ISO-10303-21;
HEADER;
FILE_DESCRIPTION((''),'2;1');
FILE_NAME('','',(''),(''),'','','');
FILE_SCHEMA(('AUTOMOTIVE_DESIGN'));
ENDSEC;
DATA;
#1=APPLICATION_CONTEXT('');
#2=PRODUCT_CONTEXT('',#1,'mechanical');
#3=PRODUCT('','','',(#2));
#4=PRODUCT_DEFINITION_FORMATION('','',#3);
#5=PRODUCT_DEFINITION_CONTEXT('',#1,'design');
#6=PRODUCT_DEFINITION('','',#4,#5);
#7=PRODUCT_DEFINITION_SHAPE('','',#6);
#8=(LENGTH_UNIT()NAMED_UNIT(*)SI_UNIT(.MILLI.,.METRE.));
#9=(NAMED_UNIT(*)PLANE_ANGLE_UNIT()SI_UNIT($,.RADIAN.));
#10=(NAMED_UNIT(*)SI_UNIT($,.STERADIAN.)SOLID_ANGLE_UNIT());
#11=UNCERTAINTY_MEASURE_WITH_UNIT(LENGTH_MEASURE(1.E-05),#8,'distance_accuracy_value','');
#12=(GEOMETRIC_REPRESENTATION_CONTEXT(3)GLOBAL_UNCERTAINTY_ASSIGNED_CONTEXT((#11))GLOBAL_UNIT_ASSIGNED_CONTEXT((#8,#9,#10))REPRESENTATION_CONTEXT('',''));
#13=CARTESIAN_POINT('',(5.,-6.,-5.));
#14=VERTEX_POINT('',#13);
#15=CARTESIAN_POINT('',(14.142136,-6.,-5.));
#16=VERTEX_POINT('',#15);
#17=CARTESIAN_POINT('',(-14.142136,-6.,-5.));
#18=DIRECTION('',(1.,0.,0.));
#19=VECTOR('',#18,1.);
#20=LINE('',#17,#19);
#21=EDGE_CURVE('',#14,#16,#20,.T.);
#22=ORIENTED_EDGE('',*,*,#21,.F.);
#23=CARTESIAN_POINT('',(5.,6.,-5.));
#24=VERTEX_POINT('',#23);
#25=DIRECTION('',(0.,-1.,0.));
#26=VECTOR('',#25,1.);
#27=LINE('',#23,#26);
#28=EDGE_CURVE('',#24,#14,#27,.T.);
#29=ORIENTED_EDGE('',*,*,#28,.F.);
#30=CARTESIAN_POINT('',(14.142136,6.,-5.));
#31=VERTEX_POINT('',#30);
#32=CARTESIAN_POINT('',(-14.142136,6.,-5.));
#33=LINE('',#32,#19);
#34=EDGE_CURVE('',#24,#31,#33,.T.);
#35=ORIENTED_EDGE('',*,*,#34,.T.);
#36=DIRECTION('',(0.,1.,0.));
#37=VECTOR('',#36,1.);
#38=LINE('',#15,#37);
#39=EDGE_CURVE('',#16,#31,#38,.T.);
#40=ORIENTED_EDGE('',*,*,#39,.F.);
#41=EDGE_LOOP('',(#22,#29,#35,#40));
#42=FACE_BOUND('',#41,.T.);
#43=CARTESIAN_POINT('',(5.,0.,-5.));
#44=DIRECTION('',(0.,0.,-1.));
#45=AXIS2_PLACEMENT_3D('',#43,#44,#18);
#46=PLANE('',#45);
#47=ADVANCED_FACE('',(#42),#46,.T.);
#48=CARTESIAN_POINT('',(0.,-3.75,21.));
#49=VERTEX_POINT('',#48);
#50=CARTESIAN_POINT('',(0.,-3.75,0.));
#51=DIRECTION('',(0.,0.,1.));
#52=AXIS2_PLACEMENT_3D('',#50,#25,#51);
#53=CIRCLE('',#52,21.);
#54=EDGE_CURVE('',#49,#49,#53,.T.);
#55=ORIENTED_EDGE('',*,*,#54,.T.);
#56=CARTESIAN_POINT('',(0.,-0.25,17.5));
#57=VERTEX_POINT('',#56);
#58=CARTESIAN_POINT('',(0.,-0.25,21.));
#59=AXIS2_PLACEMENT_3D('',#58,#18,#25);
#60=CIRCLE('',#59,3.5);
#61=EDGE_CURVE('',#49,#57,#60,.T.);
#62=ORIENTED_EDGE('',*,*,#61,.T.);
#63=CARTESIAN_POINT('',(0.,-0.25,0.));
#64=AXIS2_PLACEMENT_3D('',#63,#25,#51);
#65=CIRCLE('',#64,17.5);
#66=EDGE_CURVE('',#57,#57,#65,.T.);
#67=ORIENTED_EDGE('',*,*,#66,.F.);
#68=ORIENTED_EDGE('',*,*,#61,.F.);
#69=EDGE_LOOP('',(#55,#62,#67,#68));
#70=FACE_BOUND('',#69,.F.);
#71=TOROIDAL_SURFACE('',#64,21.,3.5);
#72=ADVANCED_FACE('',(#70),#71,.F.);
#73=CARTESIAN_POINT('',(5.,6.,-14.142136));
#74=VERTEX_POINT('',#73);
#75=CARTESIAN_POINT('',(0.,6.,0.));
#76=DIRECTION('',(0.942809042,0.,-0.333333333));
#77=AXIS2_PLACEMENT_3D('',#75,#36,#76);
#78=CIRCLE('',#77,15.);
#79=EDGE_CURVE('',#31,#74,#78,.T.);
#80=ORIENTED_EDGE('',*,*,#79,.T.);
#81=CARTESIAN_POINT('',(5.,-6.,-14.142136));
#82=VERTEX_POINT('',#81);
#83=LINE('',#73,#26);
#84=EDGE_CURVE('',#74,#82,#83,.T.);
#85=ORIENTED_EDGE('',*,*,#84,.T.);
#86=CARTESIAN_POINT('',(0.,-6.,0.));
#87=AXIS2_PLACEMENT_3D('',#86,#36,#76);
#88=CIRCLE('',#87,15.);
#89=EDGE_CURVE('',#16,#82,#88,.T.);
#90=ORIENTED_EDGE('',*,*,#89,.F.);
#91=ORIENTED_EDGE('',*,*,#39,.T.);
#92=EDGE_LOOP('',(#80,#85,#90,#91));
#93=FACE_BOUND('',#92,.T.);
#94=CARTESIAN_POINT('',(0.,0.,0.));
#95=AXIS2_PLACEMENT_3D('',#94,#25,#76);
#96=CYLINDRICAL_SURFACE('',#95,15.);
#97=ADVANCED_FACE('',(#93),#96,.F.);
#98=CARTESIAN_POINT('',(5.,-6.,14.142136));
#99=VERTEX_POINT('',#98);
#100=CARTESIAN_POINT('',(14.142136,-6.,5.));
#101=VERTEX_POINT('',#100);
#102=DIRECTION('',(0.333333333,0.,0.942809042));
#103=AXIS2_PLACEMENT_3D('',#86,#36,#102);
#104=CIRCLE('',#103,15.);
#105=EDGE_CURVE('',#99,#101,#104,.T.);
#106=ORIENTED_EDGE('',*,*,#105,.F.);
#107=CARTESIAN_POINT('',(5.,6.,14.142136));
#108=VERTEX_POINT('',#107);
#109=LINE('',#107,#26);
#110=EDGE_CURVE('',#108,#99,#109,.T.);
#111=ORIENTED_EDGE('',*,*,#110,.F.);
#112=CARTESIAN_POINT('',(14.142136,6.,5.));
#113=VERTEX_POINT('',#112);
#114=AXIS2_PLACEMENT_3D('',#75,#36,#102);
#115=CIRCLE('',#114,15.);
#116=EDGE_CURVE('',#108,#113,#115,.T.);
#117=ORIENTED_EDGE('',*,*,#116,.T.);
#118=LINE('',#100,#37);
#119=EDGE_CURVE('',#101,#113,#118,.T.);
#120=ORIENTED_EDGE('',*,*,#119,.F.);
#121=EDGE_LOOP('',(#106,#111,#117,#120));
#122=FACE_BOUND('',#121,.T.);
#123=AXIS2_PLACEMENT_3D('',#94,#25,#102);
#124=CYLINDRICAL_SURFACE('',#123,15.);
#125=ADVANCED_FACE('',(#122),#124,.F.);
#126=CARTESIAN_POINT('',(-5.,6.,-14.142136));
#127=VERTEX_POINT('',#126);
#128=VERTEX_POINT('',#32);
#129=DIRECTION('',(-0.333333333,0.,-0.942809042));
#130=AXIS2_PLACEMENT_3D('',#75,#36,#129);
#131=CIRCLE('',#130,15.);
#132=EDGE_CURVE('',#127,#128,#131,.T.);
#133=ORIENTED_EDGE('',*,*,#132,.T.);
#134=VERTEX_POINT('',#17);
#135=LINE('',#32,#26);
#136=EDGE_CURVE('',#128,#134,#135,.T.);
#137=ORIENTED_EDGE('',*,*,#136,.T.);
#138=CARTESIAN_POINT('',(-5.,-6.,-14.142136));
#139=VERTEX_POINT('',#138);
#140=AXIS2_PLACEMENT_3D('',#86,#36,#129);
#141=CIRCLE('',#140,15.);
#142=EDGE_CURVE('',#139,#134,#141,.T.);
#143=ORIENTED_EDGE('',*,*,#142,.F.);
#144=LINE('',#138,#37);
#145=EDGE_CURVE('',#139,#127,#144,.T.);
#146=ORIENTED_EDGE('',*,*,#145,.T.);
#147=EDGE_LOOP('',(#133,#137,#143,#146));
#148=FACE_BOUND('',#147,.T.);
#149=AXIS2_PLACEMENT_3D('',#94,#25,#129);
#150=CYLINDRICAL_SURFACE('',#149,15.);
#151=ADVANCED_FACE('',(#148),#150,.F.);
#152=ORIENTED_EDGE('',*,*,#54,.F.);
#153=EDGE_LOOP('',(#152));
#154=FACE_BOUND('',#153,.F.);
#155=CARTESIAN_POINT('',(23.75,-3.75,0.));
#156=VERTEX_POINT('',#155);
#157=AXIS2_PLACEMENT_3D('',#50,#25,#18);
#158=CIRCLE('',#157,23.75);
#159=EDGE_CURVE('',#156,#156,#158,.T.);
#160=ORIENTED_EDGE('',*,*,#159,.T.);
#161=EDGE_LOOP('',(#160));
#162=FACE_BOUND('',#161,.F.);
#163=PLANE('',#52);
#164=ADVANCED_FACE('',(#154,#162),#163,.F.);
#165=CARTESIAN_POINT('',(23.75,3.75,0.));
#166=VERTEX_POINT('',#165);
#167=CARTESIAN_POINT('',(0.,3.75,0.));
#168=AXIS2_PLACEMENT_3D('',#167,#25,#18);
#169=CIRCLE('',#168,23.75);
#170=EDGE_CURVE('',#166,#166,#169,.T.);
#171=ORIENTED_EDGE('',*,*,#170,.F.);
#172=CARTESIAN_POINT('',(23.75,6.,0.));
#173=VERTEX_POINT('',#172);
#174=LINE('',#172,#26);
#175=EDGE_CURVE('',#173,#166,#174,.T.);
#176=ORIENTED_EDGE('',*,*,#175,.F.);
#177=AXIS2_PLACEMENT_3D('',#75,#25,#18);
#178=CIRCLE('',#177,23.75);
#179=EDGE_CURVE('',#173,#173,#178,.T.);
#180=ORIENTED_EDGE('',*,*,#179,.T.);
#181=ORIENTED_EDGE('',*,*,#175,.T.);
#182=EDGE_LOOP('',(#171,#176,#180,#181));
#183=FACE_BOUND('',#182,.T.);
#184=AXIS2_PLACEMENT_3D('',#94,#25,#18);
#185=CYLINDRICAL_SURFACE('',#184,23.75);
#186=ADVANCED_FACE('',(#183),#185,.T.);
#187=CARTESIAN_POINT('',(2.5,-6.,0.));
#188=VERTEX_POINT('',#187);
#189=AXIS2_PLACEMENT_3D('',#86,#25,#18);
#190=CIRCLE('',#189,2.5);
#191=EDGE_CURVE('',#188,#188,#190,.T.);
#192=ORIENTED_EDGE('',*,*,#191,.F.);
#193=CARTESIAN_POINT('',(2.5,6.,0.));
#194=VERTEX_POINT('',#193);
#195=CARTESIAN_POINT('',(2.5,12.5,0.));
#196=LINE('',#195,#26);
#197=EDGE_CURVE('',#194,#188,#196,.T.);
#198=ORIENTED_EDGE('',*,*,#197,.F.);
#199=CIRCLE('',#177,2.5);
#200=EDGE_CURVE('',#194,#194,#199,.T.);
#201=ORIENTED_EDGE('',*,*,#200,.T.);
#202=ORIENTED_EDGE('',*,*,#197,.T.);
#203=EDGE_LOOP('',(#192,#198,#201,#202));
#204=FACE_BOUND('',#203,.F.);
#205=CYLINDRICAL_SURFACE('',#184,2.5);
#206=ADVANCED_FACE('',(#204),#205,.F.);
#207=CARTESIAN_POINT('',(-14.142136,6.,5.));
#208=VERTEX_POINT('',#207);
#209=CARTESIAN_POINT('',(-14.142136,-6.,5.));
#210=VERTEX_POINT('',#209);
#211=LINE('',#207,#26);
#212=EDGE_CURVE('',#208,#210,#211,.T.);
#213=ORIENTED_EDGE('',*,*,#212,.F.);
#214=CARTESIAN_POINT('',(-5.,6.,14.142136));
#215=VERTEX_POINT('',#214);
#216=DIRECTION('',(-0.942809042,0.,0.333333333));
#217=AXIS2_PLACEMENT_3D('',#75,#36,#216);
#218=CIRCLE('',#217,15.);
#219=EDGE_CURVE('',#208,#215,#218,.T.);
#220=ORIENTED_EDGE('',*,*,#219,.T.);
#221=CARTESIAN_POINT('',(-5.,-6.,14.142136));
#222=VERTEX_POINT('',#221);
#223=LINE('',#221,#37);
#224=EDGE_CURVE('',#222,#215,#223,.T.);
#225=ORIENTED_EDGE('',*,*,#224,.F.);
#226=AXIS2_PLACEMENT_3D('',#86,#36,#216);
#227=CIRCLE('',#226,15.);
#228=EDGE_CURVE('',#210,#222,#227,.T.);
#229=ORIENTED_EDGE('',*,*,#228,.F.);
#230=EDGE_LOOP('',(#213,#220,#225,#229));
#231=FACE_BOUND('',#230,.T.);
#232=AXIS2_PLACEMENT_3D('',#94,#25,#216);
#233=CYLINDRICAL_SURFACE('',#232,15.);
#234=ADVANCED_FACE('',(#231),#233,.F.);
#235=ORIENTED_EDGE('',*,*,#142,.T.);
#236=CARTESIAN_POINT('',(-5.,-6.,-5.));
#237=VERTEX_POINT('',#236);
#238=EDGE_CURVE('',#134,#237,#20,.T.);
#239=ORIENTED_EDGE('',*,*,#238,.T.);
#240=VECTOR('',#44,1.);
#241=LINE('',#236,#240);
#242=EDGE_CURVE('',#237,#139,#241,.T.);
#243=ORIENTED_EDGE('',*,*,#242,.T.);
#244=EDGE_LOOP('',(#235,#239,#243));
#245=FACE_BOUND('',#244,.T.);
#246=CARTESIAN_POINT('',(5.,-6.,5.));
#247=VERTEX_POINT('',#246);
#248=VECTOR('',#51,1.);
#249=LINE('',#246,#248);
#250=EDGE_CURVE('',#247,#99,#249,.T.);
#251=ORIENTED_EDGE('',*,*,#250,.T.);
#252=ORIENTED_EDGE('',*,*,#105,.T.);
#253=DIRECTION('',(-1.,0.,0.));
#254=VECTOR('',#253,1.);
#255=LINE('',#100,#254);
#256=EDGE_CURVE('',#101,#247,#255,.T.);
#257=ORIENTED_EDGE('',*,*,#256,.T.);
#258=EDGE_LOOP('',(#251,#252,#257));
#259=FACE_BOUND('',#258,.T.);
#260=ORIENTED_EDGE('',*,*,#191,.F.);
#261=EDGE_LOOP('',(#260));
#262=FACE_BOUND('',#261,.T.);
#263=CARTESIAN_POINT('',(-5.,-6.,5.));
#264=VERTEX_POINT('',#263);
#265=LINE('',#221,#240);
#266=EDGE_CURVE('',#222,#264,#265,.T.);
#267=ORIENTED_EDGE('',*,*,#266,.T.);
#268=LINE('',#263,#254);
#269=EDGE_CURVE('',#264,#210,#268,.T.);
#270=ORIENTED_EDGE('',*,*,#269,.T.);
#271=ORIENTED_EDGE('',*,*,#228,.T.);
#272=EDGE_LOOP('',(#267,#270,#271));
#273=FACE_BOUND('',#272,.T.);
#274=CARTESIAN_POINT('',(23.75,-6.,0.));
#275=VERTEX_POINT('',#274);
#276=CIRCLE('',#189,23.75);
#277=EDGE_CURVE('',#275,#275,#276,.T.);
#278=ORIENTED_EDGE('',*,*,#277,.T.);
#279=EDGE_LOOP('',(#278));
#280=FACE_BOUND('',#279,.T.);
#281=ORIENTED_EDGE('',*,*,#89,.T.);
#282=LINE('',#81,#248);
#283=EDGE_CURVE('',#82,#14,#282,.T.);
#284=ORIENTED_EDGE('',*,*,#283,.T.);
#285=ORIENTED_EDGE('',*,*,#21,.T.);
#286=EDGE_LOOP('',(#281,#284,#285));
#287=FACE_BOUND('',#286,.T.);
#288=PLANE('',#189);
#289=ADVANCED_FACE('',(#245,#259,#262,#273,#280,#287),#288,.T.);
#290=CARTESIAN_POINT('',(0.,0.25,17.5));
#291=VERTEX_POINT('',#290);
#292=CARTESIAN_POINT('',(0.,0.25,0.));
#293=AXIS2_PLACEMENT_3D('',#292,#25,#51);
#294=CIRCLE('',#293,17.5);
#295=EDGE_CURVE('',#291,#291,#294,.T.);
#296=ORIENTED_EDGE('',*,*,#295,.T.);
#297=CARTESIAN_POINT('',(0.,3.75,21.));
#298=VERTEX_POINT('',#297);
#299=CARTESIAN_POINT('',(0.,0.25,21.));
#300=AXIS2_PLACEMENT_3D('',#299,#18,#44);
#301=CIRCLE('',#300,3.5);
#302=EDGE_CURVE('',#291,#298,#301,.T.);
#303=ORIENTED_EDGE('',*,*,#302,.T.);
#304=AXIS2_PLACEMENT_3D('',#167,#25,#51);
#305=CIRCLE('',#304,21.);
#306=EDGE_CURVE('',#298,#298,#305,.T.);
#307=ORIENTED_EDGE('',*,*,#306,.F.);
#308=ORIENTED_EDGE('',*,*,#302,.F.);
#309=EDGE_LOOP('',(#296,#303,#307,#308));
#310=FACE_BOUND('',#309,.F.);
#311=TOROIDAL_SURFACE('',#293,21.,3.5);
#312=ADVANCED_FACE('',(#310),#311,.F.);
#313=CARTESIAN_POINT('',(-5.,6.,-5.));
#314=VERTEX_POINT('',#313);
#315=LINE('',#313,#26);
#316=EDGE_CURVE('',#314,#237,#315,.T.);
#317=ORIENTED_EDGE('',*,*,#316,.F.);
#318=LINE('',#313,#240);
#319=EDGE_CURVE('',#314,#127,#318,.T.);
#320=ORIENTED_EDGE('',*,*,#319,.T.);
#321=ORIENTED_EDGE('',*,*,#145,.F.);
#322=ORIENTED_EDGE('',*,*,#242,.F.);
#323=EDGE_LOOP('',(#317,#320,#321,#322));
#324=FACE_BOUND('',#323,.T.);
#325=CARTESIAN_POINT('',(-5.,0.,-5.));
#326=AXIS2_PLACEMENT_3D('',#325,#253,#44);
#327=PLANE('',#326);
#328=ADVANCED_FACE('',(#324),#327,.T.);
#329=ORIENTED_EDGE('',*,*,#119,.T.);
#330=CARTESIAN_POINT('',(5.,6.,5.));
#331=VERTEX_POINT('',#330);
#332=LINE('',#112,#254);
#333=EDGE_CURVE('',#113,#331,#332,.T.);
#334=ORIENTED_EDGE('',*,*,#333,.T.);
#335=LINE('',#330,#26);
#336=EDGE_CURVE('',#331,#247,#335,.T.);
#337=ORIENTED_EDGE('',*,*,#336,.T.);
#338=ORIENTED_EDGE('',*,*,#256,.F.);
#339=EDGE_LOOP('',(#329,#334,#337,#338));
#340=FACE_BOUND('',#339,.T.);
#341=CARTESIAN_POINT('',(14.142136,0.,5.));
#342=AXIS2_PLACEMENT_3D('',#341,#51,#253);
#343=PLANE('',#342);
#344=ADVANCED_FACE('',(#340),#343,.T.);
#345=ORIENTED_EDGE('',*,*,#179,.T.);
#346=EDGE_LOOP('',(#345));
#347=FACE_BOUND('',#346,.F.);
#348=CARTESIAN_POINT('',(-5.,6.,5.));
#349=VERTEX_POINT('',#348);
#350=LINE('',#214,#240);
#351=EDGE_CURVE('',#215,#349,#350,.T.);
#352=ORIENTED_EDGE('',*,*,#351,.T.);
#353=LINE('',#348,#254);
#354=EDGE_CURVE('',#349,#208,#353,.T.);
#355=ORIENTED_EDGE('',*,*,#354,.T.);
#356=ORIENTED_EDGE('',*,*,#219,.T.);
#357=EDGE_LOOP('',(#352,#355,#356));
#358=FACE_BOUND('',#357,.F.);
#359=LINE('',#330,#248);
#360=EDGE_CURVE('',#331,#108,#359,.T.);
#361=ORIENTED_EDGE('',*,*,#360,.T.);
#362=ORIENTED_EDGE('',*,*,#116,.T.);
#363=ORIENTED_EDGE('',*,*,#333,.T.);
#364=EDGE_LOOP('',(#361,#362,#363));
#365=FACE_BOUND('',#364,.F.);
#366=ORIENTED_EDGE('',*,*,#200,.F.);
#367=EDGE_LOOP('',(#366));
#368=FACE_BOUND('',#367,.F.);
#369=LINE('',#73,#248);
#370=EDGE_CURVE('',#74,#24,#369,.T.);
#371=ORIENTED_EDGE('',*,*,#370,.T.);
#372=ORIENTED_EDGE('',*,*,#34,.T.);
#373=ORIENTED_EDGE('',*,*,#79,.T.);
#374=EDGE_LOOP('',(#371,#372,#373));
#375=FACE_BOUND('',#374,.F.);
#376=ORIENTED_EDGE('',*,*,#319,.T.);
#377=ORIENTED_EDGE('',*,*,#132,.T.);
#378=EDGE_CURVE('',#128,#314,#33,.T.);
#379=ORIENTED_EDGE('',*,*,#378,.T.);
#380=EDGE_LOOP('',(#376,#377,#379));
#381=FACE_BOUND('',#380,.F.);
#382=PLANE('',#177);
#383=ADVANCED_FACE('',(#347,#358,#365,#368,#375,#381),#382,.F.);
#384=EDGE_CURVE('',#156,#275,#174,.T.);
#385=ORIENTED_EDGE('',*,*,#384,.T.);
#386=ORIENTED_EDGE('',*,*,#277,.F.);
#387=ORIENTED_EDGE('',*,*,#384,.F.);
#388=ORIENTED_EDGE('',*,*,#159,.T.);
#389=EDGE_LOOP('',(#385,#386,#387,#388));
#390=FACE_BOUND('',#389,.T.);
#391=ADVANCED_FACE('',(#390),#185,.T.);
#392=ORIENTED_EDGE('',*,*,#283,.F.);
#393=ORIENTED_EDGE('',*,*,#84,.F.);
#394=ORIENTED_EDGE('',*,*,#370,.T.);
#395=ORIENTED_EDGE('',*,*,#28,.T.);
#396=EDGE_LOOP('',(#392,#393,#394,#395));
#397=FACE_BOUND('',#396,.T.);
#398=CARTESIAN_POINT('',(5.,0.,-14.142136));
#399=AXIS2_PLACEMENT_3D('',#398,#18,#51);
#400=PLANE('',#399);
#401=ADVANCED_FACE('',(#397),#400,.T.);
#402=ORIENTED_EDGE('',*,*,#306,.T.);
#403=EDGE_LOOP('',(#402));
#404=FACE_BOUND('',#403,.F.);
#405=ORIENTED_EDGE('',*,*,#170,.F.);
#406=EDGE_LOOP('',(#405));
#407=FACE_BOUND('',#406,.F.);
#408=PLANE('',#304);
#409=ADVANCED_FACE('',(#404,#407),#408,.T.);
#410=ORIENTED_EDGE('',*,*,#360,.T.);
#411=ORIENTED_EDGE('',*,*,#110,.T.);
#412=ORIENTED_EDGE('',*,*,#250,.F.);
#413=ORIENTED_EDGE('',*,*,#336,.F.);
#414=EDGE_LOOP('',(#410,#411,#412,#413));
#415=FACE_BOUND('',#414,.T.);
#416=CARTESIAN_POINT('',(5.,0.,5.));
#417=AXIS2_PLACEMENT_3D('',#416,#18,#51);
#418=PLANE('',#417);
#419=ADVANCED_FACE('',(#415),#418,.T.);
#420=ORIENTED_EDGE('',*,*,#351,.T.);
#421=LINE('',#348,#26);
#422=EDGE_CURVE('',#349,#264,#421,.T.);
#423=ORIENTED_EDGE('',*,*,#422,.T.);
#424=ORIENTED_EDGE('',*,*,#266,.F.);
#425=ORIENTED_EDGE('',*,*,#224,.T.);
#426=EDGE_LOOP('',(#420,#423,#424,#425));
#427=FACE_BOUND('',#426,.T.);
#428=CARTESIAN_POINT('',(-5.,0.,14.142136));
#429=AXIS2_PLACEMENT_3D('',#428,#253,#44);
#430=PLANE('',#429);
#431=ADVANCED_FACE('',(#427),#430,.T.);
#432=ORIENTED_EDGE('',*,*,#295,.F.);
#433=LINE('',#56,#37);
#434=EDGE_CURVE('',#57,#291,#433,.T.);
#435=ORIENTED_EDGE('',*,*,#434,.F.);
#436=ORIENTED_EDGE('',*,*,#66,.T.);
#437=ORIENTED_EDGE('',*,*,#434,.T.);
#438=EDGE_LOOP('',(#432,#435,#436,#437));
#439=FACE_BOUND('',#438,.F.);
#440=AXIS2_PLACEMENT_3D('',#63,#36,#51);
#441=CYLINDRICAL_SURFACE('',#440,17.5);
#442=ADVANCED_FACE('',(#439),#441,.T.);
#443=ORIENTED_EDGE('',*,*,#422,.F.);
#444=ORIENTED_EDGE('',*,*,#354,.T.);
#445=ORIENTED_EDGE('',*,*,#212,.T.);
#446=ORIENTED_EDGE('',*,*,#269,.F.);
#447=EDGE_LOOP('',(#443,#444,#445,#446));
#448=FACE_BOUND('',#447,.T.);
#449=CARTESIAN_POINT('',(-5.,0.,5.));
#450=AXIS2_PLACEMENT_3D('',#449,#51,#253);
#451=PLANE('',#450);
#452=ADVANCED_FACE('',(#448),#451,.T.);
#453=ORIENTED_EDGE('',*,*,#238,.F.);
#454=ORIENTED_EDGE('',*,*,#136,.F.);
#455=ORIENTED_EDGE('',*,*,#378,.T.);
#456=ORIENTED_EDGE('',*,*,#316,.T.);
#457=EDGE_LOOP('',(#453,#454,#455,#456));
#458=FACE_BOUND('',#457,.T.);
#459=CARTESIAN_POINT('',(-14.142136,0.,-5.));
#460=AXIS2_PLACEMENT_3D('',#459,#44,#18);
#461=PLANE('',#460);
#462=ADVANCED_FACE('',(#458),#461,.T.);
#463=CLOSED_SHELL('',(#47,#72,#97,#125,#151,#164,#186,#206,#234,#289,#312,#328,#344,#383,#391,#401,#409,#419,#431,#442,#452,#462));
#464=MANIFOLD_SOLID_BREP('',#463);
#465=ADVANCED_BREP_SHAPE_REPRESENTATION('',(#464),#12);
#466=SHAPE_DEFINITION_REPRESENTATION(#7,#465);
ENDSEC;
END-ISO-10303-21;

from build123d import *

# Parameters (mm, degrees)
F0_R     = 23.75
F0_W     = 10
F0_H     = 10
F3_DEPTH = 6
F5_R     = 2.5
F6_DEPTH = 12.5


with BuildPart() as f3:
    # F0 (on Front) → F3 (new body, symmetric)
    with BuildSketch(Plane.XZ):
        Circle(F0_R)
        with BuildLine():
            ThreePointArc((14.1421356237, 5), (14.7839783948, 2.5365296809), (15, 0))
            ThreePointArc((15, 0), (14.7839783948, -2.5365296809), (14.1421356237, -5))
            ThreePointArc((14.1421356237, -5), (10.6066017178, -10.6066017178), (5, -14.1421356237))
            ThreePointArc((5, -14.1421356237), (0, -15), (-5, -14.1421356237))
            ThreePointArc((-5, -14.1421356237), (-10.6066017178, -10.6066017178), (-14.1421356237, -5))
            ThreePointArc((-14.1421356237, -5), (-15, 0), (-14.1421356237, 5))
            ThreePointArc((-14.1421356237, 5), (-10.6066017178, 10.6066017178), (-5, 14.1421356237))
            ThreePointArc((-5, 14.1421356237), (0, 15), (5, 14.1421356237))
            ThreePointArc((5, 14.1421356237), (10.6066017178, 10.6066017178), (14.1421356237, 5))
        make_face(mode=Mode.SUBTRACT)
        with BuildLine():
            Line((5, 5), (5, 14.1421356237))
            ThreePointArc((5, 14.1421356237), (0, 15), (-5, 14.1421356237))
            Line((-5, 14.1421356237), (-5, 5))
            Line((-5, 5), (5, 5))
        make_face()
        with BuildLine():
            ThreePointArc((14.1421356237, -5), (14.7839783948, -2.5365296809), (15, 0))
            ThreePointArc((15, 0), (14.7839783948, 2.5365296809), (14.1421356237, 5))
            Line((14.1421356237, 5), (5, 5))
            Line((5, 5), (5, -5))
            Line((5, -5), (14.1421356237, -5))
        make_face()
        Rectangle(F0_W, F0_H)
        with BuildLine():
            Line((-5, -5), (-5, 5))
            Line((-5, 5), (-14.1421356237, 5))
            ThreePointArc((-14.1421356237, 5), (-15, 0), (-14.1421356237, -5))
            Line((-14.1421356237, -5), (-5, -5))
        make_face()
        with BuildLine():
            ThreePointArc((-5, -14.1421356237), (0, -15), (5, -14.1421356237))
            Line((5, -14.1421356237), (5, -5))
            Line((5, -5), (-5, -5))
            Line((-5, -5), (-5, -14.1421356237))
        make_face()
    extrude(amount=F3_DEPTH, both=True)

    # F1 (on Right) → F4 (revolve, cut)
    with BuildSketch(Plane.YZ):
        with BuildLine():
            Line((3.75, 21), (3.75, 25))
            Line((3.75, 25), (-3.75, 25))
            Line((-3.75, 25), (-3.75, 21))
            ThreePointArc((-3.75, 21), (-2.7248737342, 18.5251262658), (-0.25, 17.5))
            Line((-0.25, 17.5), (0.25, 17.5))
            ThreePointArc((0.25, 17.5), (2.7248737342, 18.5251262658), (3.75, 21))
        make_face()
    revolve(axis=Axis((0, -2.0112972707, 0), (0, -1, 0)), mode=Mode.SUBTRACT)

    # F5 (on Front) → F6 (cut, symmetric)
    with BuildSketch(Plane.XZ):
        Circle(F5_R)
    extrude(amount=F6_DEPTH, both=True, mode=Mode.SUBTRACT)


solid = f3.part
